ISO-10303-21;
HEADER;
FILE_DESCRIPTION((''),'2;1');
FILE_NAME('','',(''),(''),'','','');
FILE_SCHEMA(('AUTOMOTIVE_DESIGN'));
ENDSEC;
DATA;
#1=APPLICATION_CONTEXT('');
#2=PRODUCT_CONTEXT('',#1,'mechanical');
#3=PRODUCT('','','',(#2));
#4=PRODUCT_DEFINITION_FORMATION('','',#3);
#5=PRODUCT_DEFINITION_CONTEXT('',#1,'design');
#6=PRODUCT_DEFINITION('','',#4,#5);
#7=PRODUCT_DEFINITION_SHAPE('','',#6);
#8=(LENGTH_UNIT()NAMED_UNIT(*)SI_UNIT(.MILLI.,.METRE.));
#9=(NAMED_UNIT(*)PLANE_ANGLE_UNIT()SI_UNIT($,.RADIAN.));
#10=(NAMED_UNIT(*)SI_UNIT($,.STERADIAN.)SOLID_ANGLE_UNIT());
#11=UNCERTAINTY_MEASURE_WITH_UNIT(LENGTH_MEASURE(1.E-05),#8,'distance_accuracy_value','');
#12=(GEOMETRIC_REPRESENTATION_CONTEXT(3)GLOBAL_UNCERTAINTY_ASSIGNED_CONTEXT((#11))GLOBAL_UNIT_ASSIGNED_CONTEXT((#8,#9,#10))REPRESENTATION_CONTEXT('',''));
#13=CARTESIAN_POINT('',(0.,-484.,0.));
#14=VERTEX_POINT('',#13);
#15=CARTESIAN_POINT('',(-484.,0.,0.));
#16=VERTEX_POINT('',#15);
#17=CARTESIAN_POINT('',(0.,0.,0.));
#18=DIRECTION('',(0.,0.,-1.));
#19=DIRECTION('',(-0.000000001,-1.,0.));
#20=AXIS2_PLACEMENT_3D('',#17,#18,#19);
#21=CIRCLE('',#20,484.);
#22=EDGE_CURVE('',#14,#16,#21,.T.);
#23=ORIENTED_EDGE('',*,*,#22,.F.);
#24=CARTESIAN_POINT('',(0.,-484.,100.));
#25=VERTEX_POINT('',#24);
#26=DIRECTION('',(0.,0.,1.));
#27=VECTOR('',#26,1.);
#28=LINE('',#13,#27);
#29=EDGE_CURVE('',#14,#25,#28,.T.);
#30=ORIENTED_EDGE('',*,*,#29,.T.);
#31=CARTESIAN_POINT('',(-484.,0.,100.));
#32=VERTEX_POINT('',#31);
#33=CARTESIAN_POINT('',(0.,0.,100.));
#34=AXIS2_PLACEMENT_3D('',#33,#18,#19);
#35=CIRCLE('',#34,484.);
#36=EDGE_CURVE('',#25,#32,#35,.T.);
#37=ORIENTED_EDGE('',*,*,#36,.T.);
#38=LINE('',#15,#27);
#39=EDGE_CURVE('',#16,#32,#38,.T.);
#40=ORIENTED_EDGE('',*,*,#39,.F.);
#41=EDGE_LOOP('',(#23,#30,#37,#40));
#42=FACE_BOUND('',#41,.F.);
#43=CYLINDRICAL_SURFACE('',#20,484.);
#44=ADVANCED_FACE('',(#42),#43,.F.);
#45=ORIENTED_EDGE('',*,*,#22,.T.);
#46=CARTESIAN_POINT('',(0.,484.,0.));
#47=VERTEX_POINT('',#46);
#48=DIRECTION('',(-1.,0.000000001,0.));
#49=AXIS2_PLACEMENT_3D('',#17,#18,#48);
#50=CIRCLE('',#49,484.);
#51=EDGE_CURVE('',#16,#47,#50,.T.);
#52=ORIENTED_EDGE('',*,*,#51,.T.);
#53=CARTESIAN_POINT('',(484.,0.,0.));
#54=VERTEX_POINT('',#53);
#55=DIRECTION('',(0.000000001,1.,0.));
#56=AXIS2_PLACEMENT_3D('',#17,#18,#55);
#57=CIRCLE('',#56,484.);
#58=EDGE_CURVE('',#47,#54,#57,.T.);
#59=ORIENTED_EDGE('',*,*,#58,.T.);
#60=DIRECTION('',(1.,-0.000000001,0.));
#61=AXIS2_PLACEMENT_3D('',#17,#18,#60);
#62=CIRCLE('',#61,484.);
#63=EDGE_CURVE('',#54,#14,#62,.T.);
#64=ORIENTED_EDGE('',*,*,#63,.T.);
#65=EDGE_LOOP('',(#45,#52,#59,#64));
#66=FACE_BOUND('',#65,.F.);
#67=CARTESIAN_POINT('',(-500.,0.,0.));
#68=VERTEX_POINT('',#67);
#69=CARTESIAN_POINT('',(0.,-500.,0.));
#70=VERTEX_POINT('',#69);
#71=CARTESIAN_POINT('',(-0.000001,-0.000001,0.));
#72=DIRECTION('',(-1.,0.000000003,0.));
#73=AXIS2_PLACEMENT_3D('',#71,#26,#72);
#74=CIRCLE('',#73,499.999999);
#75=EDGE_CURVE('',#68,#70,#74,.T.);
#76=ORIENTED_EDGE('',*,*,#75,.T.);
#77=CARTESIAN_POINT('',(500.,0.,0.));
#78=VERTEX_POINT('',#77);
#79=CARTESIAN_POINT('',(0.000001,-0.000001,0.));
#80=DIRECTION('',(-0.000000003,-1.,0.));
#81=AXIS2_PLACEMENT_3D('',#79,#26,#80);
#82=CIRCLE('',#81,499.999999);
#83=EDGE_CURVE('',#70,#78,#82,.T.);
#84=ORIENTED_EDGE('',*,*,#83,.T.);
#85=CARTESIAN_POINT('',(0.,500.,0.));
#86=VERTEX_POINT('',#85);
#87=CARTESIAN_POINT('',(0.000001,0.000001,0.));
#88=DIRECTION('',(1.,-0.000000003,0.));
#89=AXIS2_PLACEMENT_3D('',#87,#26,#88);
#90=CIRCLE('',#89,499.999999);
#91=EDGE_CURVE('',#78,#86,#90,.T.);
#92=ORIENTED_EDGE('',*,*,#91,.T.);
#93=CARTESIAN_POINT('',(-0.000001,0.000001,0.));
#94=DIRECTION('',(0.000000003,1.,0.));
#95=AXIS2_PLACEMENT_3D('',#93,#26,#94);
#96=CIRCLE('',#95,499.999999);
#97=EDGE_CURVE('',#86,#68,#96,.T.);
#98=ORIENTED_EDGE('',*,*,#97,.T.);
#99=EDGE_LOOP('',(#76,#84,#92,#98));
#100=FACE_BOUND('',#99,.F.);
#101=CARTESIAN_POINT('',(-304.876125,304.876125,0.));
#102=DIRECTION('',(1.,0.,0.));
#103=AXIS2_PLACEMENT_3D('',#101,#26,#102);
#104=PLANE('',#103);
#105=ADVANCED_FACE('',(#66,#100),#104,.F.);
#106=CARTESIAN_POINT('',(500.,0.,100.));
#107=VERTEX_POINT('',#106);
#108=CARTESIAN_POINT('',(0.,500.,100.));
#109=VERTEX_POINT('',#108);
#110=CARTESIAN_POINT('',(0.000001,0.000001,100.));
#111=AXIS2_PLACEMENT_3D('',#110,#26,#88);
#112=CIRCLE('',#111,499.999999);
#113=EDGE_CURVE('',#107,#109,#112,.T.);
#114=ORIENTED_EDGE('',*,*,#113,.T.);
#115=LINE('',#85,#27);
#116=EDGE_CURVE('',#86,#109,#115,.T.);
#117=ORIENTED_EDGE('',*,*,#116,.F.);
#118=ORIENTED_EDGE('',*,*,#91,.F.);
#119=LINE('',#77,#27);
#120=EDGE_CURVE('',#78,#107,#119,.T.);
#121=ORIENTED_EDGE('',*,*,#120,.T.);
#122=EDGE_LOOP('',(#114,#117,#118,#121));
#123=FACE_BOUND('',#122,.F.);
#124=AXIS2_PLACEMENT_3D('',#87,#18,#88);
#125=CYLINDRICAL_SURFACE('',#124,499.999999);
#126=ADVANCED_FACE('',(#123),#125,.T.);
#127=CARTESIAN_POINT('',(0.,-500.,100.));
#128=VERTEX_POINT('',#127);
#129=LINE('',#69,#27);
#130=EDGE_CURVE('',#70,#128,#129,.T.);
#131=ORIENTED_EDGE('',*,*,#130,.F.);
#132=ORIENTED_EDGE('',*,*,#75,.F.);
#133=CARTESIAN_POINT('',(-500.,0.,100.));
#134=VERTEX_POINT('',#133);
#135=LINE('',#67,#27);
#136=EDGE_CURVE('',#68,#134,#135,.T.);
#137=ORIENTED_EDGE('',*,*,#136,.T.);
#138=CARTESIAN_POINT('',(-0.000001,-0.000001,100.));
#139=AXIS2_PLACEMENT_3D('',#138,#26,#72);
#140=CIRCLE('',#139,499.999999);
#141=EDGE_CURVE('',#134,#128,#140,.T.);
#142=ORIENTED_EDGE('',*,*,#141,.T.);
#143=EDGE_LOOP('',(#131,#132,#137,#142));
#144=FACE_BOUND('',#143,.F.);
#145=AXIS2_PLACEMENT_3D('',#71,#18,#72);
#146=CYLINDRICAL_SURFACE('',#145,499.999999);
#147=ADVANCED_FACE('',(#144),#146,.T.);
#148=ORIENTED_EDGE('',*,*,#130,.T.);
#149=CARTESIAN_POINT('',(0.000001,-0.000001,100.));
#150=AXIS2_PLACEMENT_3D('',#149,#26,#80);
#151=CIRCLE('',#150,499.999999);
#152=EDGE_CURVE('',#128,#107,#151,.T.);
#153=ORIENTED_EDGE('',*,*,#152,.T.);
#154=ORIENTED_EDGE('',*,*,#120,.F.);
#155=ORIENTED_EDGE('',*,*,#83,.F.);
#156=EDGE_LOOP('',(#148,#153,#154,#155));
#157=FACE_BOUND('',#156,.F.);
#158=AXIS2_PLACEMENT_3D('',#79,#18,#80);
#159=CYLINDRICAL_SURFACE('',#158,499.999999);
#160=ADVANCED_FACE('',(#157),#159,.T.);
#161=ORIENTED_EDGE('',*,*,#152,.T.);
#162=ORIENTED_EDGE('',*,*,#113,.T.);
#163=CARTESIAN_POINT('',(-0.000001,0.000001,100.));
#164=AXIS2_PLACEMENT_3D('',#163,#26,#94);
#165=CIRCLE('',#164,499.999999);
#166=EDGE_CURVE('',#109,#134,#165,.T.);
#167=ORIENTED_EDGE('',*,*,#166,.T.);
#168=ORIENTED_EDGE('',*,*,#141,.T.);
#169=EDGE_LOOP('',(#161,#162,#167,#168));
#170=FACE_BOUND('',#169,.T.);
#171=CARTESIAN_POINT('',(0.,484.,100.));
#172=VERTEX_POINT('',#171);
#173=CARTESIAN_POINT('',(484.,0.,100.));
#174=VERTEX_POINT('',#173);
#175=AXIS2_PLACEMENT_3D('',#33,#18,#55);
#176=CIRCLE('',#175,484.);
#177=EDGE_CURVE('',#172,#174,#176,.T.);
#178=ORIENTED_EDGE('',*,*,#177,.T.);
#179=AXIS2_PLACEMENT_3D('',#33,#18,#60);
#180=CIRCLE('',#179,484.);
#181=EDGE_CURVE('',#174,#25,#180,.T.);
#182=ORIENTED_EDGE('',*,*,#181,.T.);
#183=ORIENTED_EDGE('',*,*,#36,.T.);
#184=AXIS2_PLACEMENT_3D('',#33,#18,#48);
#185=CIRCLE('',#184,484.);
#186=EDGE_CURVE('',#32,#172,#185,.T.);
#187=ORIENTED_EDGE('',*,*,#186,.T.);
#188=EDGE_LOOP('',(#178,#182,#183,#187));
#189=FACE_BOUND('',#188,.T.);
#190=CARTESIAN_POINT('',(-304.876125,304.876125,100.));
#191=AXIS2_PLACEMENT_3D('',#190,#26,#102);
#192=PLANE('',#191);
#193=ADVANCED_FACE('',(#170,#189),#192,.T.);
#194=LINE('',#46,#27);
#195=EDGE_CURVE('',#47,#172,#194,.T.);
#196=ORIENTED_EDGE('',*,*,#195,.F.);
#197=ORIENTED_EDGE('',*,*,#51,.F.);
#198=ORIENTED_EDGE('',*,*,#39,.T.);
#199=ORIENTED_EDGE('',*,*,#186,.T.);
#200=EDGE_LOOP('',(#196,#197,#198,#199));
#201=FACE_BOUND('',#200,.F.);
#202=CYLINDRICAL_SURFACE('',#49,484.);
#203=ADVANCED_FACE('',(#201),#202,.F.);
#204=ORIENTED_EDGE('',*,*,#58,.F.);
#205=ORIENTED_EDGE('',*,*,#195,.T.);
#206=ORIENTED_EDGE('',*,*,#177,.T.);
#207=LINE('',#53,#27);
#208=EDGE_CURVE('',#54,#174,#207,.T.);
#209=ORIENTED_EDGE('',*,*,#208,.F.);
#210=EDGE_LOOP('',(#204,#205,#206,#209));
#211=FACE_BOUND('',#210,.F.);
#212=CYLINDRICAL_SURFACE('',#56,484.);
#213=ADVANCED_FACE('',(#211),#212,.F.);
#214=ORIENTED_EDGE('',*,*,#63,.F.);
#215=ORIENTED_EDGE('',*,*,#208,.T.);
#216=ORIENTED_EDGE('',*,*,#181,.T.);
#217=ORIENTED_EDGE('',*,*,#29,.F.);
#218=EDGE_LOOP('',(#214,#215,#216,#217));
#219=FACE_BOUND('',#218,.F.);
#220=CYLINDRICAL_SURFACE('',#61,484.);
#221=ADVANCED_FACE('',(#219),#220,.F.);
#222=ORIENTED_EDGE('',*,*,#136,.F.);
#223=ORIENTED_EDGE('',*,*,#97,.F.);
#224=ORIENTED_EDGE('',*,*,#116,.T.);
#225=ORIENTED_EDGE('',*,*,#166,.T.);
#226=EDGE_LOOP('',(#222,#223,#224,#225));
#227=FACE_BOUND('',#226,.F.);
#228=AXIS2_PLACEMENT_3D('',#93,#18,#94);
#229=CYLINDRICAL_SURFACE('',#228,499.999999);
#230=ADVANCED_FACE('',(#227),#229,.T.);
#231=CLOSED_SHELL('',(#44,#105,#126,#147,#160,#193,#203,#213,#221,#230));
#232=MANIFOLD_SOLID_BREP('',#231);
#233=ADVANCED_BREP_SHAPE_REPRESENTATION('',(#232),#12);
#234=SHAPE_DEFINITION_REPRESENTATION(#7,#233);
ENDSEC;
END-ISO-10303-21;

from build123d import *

# Parameters (mm, degrees)
F1_DEPTH = 100


with BuildPart() as f1:
    # F0 (on Top) → F1 (new body)
    with BuildSketch(Plane.XY):
        with BuildLine():
            Line((0, 484), (0, 500))
            ThreePointArc((0, 500), (-353.553391, 353.553391), (-500, 0))
            Line((-500, 0), (-484, 0))
            ThreePointArc((-484, 0), (-342.239682, 342.239682), (0, 484))
        make_face()
        with BuildLine():
            ThreePointArc((-500, 0), (-353.553391, -353.553391), (0, -500))
            Line((0, -500), (0, -484))
            ThreePointArc((0, -484), (-342.239682, -342.239682), (-484, 0))
            Line((-484, 0), (-500, 0))
        make_face()
        with BuildLine():
            ThreePointArc((0, -500), (353.553391, -353.553391), (500, 0))
            Line((500, 0), (484, 0))
            ThreePointArc((484, 0), (342.239682, -342.239682), (0, -484))
            Line((0, -484), (0, -500))
        make_face()
        with BuildLine():
            Line((484, 0), (500, 0))
            ThreePointArc((500, 0), (353.553391, 353.553391), (0, 500))
            Line((0, 500), (0, 484))
            ThreePointArc((0, 484), (342.239682, 342.239682), (484, 0))
        make_face()
    extrude(amount=F1_DEPTH)


solid = f1.part
